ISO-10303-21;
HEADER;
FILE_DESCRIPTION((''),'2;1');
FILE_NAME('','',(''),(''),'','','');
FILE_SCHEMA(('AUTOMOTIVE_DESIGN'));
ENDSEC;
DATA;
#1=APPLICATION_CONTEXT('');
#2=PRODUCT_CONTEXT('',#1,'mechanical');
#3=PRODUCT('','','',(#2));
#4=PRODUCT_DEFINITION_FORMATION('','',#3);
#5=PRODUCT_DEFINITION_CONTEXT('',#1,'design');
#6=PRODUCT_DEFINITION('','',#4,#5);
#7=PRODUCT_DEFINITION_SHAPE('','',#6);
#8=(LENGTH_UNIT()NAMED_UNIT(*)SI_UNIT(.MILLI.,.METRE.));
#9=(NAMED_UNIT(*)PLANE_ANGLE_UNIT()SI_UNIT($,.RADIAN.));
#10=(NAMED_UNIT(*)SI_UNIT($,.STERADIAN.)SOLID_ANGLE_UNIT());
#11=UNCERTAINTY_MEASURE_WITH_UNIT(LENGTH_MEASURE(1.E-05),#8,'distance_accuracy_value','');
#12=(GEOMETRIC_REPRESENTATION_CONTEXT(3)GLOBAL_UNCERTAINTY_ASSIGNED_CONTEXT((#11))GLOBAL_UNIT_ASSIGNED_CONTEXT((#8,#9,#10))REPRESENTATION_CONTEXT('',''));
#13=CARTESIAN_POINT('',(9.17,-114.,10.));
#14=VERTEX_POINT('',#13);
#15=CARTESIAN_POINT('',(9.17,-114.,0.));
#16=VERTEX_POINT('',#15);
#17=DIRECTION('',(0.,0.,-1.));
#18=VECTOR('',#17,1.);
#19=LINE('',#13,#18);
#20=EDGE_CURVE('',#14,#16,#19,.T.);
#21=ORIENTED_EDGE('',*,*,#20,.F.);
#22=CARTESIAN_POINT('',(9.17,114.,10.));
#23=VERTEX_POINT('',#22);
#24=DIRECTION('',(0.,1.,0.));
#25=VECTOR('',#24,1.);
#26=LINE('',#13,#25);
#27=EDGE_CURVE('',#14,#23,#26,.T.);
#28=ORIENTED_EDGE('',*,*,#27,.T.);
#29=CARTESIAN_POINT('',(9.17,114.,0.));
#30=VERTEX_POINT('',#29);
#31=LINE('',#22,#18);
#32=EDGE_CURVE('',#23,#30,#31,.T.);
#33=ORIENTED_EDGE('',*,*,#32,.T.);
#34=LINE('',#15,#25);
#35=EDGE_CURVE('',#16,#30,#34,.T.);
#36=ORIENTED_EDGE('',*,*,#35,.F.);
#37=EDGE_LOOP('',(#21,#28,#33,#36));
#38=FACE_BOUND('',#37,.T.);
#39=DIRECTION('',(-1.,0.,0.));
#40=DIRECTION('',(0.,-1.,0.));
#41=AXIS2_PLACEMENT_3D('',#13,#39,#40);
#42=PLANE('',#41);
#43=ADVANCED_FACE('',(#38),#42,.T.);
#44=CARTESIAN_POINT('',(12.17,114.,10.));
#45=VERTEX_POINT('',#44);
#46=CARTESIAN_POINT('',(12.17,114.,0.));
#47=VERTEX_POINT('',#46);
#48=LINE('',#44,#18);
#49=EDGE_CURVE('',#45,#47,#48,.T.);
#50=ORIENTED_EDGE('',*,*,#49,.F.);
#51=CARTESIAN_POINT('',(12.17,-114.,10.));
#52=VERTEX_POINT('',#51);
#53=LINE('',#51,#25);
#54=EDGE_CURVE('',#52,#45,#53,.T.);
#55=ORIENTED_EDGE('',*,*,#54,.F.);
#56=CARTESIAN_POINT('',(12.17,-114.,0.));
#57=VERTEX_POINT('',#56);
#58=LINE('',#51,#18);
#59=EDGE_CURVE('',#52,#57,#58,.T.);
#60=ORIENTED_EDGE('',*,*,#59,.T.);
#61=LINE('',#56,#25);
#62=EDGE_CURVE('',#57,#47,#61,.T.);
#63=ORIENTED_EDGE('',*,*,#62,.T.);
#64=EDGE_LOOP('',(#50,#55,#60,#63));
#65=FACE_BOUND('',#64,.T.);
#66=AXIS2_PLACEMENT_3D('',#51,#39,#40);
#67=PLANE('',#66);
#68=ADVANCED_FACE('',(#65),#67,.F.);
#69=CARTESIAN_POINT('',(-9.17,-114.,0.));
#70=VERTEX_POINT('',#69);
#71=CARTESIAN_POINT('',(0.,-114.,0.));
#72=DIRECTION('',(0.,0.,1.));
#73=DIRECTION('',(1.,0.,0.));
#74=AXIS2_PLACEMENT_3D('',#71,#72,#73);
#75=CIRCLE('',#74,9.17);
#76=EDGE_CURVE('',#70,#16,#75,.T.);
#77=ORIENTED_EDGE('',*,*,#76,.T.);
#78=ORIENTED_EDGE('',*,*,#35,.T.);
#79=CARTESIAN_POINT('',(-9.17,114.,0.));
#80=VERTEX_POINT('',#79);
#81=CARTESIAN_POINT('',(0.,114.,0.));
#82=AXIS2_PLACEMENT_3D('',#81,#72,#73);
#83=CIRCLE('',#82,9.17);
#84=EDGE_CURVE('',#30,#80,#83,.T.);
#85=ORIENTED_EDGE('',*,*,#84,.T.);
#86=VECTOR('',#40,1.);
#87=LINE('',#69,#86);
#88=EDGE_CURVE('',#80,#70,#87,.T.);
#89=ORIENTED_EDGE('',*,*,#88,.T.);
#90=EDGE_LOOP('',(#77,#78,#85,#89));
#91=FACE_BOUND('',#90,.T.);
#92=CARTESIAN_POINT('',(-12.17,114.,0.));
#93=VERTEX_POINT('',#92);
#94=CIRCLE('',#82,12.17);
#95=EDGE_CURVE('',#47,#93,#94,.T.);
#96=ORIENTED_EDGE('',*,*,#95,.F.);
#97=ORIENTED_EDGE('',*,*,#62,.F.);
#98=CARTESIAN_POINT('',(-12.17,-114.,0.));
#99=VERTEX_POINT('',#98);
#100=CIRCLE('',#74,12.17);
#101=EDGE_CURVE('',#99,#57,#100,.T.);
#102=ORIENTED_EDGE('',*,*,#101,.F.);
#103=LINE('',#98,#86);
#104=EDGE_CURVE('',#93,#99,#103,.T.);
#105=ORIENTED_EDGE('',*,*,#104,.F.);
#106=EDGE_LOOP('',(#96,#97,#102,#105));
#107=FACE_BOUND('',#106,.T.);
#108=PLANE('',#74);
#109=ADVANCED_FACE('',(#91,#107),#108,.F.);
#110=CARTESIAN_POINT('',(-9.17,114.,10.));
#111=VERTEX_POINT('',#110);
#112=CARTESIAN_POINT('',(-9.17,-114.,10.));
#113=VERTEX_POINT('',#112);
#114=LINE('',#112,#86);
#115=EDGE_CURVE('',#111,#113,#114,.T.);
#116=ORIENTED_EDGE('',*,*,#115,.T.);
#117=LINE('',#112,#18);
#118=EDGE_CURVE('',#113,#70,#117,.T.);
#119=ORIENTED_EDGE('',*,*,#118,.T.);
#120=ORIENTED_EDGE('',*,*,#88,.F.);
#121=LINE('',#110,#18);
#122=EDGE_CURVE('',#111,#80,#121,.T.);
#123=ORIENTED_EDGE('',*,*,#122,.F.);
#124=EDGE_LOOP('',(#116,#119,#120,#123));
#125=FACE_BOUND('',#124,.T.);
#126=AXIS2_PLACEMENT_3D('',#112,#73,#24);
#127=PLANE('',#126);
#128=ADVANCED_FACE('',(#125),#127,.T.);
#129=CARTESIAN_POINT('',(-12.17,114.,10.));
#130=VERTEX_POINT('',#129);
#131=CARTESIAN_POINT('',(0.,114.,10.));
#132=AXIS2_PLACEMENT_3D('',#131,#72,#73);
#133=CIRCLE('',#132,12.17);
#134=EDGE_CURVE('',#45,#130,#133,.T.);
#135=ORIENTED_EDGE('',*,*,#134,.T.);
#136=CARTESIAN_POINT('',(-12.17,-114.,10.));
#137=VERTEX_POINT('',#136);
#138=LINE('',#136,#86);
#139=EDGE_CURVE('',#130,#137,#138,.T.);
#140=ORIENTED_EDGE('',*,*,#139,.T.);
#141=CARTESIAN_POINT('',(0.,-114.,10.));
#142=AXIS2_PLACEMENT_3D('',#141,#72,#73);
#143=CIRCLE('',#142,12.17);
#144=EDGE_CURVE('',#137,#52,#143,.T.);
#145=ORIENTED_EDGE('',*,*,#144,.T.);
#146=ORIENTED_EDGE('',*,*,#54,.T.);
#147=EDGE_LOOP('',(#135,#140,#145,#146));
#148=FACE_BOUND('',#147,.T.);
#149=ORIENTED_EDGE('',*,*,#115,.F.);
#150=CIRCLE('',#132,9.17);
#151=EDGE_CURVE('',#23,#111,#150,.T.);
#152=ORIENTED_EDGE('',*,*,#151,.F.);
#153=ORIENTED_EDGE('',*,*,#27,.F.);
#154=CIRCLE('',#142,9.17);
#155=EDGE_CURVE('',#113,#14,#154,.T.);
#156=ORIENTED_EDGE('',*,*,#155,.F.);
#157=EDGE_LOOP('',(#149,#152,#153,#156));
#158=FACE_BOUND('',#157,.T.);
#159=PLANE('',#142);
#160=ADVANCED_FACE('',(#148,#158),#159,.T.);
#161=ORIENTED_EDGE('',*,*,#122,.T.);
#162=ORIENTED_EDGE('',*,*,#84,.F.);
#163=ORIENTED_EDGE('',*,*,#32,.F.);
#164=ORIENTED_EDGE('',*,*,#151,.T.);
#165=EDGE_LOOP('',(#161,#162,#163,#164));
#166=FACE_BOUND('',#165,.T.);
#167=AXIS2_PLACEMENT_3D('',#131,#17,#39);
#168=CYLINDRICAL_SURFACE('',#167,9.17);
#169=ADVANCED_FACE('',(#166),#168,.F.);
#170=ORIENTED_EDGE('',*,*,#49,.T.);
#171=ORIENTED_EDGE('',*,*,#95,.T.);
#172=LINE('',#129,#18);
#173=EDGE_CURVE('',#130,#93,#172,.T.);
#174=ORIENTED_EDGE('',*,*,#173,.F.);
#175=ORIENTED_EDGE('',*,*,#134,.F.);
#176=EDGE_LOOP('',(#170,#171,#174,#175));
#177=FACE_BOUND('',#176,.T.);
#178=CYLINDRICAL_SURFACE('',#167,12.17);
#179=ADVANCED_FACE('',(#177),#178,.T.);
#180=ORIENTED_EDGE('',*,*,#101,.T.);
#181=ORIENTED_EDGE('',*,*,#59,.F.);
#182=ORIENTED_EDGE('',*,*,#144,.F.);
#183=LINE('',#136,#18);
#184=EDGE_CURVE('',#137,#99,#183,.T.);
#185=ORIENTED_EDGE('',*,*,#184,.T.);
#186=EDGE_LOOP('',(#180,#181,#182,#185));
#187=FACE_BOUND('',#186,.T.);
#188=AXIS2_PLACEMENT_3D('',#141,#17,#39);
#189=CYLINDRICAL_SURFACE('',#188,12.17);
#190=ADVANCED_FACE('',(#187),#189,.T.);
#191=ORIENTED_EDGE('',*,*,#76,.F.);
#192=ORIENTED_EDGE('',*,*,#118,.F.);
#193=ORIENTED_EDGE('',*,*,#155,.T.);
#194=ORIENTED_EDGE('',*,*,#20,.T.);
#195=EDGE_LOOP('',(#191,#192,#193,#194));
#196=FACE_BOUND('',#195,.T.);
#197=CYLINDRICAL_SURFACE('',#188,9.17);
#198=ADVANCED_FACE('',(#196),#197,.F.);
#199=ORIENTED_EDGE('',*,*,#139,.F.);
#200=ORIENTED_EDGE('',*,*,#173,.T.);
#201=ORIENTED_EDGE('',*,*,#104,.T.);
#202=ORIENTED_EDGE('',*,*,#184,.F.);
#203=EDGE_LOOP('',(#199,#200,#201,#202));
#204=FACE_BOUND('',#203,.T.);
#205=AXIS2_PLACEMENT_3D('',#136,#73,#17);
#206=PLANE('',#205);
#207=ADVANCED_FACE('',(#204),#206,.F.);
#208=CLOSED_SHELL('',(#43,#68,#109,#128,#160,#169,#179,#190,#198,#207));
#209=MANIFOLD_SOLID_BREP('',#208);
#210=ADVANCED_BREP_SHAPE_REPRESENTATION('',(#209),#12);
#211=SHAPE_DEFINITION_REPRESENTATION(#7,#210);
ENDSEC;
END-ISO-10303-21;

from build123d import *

# Parameters (mm, degrees)
EXTRUDE_1_DEPTH = 10


with BuildPart() as part:
    # 草图1 → 凸台-拉伸1 (new body)
    with BuildSketch(Plane.XY):
        with BuildLine():
            Line((-12.17, -114), (-12.17, 114))
            ThreePointArc((-12.17, 114), (0, 126.17), (12.17, 114))
            Line((12.17, 114), (12.17, -114))
            ThreePointArc((12.17, -114), (0, -126.17), (-12.17, -114))
        make_face()
        with BuildLine():
            Line((-9.17, -114), (-9.17, 114))
            ThreePointArc((-9.17, 114), (0, 123.17), (9.17, 114))
            Line((9.17, 114), (9.17, -114))
            ThreePointArc((9.17, -114), (0, -123.17), (-9.17, -114))
        make_face(mode=Mode.SUBTRACT)
    extrude(amount=EXTRUDE_1_DEPTH)


solid = part.part
